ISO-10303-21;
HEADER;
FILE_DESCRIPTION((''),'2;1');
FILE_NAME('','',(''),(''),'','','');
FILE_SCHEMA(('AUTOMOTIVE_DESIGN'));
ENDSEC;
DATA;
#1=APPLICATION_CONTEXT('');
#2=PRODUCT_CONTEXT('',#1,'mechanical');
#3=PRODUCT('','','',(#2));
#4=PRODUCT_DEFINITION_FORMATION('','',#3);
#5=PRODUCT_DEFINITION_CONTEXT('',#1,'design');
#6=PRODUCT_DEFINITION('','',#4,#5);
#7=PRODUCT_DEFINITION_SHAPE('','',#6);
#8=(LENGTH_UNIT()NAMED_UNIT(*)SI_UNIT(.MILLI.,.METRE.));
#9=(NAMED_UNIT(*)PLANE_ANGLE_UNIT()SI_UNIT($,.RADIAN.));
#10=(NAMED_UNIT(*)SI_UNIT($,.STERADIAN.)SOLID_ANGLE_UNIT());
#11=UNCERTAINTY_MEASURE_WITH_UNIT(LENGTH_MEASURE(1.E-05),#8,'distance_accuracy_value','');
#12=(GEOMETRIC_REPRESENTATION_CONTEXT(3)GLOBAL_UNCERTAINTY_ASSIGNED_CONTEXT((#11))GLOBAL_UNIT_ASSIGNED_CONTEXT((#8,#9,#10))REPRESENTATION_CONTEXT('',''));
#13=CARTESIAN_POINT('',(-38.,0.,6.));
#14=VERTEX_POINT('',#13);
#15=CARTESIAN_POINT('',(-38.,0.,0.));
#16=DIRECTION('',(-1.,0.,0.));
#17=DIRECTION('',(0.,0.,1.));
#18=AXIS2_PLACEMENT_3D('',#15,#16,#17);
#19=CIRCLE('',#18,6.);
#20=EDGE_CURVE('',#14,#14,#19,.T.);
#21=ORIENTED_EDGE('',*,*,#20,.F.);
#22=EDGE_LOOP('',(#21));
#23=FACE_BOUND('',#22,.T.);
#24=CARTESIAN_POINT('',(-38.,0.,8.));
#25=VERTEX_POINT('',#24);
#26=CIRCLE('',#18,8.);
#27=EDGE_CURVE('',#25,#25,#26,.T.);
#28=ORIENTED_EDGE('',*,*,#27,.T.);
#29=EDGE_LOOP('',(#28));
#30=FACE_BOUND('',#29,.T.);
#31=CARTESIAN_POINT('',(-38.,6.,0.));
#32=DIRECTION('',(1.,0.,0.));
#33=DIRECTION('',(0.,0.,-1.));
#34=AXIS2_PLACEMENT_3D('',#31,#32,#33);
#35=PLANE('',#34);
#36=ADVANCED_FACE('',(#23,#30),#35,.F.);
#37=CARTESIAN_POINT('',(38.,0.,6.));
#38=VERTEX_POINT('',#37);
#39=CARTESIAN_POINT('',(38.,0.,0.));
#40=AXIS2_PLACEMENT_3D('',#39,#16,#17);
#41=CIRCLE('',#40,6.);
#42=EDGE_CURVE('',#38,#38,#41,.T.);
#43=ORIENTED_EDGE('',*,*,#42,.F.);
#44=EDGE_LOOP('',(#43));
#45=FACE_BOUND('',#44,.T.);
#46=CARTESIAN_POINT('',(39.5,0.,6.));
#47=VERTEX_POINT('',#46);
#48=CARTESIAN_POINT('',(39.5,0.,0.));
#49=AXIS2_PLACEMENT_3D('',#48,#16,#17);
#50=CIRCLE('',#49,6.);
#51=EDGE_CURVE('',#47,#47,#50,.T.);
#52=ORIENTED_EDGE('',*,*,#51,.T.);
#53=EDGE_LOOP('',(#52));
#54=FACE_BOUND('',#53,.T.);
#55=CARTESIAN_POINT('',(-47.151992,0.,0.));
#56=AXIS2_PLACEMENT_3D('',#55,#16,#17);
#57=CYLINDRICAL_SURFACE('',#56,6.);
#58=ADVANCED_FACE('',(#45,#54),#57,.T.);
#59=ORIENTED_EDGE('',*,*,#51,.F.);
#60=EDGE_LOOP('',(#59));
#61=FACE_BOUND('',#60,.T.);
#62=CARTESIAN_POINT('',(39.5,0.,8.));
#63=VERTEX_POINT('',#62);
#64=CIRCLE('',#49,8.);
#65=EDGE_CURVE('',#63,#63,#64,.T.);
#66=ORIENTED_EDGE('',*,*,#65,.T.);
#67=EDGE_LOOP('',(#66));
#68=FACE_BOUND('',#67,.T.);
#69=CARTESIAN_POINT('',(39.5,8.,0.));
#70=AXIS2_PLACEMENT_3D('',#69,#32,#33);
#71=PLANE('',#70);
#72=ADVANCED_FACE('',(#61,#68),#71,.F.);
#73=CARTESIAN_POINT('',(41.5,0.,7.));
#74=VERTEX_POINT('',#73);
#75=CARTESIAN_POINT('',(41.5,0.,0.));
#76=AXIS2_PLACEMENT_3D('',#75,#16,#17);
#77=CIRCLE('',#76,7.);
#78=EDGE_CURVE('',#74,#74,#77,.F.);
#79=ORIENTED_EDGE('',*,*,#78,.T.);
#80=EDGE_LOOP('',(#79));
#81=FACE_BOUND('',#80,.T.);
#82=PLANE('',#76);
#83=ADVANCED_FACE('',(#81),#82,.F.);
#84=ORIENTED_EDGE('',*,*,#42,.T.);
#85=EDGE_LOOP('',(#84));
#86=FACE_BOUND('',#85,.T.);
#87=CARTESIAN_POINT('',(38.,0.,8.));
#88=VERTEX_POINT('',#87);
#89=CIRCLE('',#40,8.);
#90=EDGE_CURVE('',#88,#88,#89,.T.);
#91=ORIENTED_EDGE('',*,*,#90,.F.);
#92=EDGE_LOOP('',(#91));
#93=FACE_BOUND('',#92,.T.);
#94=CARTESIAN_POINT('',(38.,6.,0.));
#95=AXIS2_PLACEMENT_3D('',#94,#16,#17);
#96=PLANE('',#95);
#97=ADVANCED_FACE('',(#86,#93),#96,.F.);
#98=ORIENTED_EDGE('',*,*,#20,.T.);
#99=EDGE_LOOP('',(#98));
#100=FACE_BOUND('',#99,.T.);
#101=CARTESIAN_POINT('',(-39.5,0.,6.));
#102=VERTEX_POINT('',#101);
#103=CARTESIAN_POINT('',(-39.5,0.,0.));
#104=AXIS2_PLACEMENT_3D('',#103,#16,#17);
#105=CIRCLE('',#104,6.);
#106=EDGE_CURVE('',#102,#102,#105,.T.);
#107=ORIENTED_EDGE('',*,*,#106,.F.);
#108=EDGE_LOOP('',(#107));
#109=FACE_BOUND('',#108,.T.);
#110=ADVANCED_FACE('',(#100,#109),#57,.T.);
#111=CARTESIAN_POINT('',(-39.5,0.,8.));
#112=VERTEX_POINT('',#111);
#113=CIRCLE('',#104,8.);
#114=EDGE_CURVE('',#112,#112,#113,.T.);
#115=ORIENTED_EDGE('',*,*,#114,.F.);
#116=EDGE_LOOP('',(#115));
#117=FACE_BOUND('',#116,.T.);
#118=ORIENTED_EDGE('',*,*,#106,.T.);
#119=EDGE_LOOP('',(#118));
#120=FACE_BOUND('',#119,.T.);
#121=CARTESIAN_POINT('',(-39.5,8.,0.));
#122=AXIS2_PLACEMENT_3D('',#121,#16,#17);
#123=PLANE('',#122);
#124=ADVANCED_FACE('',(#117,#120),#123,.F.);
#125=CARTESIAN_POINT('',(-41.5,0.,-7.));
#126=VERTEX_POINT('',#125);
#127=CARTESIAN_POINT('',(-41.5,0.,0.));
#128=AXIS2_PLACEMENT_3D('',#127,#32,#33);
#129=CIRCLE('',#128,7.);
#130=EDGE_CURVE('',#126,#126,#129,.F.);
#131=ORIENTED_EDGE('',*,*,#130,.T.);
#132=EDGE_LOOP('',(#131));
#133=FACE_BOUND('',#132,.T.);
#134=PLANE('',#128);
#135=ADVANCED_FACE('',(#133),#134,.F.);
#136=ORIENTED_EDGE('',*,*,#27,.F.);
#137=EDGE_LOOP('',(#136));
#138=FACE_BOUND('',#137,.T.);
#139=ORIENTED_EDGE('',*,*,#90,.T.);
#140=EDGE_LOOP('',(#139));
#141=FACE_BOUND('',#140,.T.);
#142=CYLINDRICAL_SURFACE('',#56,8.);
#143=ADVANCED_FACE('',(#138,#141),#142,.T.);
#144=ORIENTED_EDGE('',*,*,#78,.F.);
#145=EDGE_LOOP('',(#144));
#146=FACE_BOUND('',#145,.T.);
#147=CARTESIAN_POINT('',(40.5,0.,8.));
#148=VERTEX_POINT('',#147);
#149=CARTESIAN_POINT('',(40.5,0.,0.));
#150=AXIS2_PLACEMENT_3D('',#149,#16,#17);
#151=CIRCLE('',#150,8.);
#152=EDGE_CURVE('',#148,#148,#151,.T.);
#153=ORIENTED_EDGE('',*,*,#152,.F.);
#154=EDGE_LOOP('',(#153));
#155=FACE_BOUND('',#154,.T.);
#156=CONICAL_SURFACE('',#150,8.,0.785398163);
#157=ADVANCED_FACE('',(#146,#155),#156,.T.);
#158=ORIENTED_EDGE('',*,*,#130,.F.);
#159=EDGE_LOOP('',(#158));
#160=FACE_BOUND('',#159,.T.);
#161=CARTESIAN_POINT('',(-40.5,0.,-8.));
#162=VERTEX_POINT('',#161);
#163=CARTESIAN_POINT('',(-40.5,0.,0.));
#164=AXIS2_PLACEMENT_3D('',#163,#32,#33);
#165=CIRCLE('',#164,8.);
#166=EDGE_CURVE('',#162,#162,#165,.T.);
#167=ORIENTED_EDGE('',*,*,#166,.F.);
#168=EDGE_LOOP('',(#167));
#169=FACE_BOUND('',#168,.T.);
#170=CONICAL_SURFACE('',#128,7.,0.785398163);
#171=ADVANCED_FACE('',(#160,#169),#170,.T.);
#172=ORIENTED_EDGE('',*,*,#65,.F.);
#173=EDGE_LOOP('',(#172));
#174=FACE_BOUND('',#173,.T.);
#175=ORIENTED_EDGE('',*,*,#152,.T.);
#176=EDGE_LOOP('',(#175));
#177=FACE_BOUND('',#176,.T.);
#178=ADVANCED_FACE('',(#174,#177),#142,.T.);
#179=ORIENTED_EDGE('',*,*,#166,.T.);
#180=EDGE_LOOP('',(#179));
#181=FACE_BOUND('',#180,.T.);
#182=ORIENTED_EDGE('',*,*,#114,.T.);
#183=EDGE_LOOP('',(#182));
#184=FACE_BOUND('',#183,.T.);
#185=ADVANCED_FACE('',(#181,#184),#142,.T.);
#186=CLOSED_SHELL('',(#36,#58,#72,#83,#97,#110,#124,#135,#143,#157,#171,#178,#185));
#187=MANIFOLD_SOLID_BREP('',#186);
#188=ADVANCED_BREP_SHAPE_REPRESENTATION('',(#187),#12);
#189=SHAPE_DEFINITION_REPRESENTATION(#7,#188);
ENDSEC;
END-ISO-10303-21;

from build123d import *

# Parameters (mm, degrees)
CHAMFER1_SIZE = 1


with BuildPart() as part:
    # Sketch1 → Revolve1 (revolve)
    with BuildSketch(Plane.XY, mode=Mode.PRIVATE) as revolve1_sk:
        Polygon((-41.5, 0), (-41.5, 8), (-39.5, 8), (-39.5, 6), (-38, 6), (-38, 8), (38, 8), (38, 6), (39.5, 6), (39.5, 8), (41.5, 8), (41.5, 0), align=None)
    revolve(revolve1_sk.sketch.rotate(Axis((-47.151991765, 0, 0), (1, 0, 0)), 90), axis=Axis((-47.151991765, 0, 0), (1, 0, 0)))

    # Chamfer1
    chamfer1_edges = [part.edges().sort_by_distance(p)[0] for p in [
        (41.5, 0, -8),
        (-41.5, 0, -8),
    ]]
    chamfer(chamfer1_edges, length=CHAMFER1_SIZE)


solid = part.part
